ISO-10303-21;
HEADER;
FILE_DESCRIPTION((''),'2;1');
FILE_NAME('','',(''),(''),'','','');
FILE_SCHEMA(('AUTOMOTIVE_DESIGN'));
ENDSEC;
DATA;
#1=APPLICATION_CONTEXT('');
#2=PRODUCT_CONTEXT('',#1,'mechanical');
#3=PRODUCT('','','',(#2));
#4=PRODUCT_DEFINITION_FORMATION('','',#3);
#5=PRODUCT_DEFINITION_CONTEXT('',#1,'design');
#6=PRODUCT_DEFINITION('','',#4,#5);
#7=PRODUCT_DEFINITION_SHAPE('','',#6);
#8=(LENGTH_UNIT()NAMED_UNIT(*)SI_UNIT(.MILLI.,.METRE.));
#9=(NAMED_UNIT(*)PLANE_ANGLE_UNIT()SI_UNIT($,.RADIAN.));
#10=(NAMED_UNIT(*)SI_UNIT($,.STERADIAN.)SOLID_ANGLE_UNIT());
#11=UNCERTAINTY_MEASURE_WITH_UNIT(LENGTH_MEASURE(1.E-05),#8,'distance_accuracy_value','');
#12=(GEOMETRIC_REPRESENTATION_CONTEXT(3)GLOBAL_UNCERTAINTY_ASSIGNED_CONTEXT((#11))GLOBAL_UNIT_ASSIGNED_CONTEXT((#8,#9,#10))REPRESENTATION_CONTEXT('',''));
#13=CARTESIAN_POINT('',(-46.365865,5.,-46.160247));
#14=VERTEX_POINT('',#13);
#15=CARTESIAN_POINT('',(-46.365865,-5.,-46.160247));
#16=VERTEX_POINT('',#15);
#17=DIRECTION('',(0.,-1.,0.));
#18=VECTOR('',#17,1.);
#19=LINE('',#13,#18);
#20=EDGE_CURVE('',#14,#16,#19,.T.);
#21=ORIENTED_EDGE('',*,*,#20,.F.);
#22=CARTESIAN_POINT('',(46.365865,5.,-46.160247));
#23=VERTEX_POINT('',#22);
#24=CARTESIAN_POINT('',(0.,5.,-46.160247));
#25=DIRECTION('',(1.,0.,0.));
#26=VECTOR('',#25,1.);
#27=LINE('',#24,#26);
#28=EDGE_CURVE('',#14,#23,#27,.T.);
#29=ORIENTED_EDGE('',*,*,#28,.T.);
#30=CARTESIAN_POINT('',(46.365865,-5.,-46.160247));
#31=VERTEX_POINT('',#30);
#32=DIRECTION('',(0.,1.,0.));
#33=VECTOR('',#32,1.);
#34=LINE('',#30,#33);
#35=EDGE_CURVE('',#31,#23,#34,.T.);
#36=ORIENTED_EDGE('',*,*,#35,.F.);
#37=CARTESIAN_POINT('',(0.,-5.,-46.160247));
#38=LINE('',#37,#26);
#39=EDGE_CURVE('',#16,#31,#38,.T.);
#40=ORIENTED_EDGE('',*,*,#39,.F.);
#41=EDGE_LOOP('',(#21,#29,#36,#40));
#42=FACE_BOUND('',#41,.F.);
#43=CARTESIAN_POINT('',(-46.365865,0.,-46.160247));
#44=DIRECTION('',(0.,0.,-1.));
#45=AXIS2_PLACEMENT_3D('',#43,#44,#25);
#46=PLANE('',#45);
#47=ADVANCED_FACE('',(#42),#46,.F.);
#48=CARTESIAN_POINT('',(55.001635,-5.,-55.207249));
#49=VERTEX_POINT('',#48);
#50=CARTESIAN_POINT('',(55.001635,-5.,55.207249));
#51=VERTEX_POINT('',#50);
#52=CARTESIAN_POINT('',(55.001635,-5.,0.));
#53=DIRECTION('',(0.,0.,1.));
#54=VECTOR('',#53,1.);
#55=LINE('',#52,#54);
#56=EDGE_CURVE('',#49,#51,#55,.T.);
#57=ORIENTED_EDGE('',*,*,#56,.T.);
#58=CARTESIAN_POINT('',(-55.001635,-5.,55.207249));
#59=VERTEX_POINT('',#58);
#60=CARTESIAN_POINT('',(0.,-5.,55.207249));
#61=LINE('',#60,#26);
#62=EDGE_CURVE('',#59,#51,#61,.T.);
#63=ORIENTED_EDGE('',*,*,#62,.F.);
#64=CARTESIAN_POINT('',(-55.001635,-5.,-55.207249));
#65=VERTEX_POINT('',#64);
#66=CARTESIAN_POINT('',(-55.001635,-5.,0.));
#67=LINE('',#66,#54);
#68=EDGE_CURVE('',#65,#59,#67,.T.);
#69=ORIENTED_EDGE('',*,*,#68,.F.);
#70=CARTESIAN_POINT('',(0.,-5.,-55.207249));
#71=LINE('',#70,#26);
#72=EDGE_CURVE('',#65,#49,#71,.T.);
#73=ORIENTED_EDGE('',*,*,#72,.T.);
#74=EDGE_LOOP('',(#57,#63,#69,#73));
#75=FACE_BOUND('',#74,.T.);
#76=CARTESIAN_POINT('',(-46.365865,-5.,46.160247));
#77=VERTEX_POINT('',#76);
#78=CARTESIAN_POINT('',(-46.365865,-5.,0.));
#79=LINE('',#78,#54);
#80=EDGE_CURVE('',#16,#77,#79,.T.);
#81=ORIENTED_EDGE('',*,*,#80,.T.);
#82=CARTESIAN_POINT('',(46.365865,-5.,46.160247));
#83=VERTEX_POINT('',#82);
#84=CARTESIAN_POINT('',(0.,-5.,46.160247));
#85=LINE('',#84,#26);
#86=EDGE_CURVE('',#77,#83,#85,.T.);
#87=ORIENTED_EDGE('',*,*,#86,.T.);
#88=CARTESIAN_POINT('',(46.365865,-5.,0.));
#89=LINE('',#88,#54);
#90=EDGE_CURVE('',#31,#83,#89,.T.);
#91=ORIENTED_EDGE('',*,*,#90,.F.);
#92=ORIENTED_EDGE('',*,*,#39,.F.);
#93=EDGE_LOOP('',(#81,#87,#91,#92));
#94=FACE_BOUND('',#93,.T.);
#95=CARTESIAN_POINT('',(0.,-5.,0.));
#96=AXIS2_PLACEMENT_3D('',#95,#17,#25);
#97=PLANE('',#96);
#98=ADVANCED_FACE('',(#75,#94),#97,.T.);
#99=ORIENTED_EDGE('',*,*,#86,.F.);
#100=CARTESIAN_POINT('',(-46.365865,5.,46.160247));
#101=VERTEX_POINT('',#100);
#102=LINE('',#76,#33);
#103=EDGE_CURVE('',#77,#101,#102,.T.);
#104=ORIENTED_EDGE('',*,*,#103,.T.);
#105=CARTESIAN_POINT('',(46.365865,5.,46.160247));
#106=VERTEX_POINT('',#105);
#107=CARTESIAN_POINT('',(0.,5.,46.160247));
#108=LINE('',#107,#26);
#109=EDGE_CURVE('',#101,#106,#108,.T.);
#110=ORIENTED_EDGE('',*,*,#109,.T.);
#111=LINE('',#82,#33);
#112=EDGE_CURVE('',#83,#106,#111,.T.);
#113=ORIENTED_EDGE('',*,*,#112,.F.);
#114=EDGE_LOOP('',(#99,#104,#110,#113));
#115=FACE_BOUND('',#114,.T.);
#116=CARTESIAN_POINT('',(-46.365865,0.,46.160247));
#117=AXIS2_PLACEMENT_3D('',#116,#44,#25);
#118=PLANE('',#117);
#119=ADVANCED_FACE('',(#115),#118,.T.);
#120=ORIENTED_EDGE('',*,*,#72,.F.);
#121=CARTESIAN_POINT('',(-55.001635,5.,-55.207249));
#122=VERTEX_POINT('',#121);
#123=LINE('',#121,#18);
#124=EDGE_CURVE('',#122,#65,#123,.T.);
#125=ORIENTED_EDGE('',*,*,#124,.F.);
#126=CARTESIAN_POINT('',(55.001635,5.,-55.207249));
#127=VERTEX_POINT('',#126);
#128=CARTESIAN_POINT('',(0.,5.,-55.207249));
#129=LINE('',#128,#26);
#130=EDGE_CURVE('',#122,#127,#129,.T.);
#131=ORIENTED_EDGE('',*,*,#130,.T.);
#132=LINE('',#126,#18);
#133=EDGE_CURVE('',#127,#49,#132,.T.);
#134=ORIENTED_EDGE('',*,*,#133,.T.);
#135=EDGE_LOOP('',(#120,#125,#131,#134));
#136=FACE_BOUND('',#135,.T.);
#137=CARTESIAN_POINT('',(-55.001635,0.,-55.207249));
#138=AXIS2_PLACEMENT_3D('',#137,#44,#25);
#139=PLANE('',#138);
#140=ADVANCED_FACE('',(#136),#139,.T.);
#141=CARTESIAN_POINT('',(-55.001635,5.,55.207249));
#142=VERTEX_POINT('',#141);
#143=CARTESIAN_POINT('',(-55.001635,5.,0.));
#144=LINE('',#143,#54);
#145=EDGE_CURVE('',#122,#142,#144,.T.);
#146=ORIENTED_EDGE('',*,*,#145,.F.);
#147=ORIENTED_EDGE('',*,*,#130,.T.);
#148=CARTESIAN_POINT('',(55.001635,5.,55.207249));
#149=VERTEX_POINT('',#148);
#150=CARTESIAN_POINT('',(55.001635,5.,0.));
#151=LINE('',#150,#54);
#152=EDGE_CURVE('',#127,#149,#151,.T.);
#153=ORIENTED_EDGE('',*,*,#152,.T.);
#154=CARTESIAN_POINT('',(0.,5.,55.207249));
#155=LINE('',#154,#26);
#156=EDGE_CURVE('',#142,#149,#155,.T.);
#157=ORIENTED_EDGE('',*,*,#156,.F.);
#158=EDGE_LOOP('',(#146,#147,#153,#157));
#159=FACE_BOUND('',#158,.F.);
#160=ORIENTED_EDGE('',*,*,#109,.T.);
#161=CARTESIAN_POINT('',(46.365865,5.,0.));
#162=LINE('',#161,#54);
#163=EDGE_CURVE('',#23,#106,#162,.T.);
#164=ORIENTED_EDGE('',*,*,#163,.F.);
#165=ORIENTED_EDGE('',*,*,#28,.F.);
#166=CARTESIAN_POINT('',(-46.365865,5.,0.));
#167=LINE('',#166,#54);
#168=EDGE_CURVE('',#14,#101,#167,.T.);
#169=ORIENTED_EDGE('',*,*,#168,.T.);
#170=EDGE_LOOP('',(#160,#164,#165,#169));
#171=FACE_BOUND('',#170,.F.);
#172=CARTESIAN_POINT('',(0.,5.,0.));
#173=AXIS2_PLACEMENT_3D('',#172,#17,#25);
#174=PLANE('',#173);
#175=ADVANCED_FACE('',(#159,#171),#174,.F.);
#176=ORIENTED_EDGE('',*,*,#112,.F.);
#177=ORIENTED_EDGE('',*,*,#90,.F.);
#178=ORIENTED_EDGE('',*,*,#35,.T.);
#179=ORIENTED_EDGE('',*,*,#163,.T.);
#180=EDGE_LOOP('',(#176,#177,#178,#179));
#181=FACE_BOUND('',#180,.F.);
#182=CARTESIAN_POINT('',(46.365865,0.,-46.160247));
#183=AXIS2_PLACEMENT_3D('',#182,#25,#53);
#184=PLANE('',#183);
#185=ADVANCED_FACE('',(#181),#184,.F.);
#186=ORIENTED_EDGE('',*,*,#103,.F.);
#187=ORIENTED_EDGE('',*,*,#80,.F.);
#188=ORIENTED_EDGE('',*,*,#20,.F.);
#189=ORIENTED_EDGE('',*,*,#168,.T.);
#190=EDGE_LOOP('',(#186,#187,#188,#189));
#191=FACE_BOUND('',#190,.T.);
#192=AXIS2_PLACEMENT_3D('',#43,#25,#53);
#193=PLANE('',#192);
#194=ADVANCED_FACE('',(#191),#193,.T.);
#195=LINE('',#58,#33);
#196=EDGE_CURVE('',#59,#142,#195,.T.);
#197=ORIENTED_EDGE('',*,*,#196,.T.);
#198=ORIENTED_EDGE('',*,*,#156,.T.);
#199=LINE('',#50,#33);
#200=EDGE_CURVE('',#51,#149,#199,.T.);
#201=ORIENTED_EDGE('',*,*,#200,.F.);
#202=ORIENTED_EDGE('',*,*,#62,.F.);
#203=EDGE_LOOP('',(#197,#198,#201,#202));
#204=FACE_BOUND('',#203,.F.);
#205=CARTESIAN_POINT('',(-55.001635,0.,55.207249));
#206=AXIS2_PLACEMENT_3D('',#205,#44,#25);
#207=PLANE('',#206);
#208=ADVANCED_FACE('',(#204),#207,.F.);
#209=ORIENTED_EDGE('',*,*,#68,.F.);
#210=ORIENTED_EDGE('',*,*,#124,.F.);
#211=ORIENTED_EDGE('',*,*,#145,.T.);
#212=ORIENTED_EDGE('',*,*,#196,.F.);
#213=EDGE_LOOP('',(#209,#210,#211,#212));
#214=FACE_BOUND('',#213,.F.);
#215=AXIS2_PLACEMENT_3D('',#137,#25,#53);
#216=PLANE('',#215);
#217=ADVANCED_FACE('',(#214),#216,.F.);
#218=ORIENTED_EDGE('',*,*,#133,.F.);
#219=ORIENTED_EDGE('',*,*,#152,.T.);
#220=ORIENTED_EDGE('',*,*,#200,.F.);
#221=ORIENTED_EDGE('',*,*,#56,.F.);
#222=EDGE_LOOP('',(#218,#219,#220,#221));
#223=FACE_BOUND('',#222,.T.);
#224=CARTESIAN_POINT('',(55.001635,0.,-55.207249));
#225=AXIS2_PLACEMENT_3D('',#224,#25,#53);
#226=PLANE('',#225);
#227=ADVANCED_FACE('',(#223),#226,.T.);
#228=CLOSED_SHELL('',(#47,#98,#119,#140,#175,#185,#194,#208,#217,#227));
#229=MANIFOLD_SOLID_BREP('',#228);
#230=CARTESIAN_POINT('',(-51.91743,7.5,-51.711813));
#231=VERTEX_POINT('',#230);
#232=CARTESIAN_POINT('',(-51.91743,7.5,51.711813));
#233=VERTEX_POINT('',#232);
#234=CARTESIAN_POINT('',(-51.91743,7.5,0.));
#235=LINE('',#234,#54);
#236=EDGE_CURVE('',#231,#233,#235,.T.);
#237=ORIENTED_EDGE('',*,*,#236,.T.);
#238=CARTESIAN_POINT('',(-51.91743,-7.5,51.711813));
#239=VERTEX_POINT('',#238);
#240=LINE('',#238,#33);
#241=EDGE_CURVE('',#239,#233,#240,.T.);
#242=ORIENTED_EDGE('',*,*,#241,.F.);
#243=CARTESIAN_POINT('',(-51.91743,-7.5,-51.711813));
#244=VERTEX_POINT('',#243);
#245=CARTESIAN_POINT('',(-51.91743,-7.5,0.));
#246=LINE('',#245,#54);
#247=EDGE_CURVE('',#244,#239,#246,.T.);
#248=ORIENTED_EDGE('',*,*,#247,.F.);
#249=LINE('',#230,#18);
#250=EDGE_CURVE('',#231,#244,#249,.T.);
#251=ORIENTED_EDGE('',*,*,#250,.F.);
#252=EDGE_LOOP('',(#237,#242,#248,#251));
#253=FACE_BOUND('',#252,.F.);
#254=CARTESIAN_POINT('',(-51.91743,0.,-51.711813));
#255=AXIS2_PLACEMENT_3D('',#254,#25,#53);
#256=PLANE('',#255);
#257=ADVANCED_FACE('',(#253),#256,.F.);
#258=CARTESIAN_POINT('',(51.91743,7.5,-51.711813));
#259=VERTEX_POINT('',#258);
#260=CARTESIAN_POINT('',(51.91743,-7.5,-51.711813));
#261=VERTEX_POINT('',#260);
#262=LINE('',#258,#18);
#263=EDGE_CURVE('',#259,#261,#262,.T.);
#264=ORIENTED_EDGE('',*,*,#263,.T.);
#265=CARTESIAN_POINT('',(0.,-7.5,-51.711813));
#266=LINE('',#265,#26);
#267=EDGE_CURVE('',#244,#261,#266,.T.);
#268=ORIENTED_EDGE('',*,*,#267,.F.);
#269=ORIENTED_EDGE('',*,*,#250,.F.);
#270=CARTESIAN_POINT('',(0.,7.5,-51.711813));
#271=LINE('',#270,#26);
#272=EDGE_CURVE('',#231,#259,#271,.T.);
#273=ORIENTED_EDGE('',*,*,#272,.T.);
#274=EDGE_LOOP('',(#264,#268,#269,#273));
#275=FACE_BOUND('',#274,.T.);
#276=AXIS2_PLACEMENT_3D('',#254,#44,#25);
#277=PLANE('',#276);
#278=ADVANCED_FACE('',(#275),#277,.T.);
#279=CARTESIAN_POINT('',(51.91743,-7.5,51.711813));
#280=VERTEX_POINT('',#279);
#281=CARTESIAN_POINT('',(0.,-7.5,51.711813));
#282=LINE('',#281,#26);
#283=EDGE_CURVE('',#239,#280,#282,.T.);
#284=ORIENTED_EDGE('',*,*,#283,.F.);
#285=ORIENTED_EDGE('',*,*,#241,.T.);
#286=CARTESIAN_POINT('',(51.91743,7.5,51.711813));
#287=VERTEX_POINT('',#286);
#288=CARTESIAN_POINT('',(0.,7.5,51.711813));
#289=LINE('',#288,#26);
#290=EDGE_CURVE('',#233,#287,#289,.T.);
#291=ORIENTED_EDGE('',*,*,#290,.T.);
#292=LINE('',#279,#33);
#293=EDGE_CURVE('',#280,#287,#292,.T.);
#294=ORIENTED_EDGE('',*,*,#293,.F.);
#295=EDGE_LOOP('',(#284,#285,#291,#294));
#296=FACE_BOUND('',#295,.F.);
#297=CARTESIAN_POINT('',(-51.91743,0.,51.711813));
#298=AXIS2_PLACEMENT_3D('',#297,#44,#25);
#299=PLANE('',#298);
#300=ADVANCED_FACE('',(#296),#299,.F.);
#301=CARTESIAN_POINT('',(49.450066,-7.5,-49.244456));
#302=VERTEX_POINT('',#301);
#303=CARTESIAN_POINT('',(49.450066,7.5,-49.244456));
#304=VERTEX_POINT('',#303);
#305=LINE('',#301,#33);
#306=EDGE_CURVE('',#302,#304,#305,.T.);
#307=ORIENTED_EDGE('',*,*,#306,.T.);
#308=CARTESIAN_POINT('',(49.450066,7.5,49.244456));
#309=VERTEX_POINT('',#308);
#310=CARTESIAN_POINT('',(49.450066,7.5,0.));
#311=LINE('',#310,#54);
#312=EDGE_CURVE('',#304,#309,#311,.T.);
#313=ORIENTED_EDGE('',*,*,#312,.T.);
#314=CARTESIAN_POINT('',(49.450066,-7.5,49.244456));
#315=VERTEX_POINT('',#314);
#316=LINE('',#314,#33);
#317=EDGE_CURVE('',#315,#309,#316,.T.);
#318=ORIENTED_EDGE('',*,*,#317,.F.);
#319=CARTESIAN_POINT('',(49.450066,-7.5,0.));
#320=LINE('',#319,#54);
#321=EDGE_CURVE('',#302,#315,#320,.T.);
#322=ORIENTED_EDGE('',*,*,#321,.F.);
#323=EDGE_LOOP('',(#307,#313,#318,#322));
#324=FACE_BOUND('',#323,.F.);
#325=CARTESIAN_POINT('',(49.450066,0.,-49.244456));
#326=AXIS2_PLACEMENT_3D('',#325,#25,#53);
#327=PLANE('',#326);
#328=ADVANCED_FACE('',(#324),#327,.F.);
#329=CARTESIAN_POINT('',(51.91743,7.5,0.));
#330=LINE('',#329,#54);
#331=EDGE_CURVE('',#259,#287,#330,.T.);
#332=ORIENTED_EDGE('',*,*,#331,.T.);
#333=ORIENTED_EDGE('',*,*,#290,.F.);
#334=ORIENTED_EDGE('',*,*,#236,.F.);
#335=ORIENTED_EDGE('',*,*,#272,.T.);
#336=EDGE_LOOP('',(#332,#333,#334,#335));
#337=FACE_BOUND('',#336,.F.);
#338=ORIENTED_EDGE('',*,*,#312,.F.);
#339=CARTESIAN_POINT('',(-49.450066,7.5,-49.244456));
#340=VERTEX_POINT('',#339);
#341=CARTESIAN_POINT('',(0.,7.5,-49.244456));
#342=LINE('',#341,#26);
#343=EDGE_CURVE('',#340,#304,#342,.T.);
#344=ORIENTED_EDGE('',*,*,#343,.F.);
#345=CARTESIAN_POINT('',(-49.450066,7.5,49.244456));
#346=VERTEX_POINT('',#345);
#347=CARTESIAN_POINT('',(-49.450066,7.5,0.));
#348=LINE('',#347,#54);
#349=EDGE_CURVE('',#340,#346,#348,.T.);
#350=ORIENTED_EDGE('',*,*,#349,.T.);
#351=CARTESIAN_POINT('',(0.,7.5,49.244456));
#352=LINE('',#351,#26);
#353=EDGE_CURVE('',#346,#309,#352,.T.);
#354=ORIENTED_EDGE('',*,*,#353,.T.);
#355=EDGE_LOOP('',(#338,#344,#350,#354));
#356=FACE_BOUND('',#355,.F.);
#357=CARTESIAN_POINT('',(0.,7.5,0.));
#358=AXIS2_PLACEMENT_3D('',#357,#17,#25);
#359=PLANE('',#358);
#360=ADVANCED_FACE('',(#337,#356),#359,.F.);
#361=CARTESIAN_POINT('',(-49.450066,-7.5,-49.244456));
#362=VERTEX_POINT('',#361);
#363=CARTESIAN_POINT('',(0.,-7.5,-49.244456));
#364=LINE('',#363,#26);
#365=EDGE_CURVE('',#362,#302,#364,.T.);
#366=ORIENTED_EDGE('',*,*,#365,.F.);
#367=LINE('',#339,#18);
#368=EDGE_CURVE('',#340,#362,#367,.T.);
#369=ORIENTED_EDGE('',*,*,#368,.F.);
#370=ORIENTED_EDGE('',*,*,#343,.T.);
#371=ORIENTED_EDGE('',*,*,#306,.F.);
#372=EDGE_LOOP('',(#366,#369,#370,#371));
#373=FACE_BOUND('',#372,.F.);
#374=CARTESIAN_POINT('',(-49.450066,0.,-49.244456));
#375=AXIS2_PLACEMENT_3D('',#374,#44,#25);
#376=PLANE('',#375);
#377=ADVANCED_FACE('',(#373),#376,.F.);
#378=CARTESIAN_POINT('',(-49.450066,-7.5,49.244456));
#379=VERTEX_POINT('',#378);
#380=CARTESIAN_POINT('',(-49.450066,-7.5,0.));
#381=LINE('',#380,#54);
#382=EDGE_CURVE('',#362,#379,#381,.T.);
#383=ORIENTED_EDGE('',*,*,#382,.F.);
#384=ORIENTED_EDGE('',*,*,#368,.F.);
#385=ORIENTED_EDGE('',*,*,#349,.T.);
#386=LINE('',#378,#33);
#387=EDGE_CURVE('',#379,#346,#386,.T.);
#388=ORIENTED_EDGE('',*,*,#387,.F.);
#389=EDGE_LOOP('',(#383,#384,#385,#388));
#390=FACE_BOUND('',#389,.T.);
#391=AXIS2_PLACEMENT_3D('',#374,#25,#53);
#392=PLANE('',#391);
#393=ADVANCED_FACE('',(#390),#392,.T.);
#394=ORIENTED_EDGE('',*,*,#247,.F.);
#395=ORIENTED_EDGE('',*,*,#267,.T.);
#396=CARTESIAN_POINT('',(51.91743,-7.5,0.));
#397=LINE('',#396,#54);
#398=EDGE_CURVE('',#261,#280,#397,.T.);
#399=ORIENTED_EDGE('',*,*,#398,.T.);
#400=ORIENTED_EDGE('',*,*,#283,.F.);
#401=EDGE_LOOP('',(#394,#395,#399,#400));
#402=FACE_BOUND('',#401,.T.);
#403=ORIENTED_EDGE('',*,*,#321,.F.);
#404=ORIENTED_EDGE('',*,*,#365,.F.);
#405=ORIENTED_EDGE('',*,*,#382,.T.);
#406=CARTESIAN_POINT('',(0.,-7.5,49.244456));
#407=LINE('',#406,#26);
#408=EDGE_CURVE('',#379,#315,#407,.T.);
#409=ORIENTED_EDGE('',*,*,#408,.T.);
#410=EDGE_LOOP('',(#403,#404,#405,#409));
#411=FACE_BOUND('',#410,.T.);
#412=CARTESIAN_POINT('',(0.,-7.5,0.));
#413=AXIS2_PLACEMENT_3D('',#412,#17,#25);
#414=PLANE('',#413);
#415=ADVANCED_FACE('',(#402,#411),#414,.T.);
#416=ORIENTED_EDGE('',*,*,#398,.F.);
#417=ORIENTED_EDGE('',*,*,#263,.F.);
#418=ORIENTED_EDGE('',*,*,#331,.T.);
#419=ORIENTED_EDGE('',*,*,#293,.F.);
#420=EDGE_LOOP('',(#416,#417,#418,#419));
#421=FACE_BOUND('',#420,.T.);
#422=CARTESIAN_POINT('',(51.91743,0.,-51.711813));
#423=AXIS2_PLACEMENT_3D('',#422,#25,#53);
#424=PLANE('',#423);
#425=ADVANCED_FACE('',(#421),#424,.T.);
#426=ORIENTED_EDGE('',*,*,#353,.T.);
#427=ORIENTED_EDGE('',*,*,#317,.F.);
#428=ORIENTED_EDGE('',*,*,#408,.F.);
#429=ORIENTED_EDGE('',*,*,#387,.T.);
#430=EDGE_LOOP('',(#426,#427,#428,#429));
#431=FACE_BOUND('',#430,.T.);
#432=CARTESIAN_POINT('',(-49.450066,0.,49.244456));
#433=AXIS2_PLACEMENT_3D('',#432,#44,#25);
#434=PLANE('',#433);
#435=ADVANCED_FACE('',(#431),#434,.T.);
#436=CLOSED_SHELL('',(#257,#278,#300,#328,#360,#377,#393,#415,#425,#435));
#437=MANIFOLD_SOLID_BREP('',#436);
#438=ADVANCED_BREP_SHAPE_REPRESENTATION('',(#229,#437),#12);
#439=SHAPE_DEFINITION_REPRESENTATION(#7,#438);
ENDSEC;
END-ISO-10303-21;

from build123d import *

# Parameters (mm, degrees)
F0_W     = 103.83486
F0_H     = 103.423626
F0_W_2   = 98.900132
F0_H_2   = 98.488912
F1_DEPTH = 7.5
F0_W_3   = 110.00327
F0_H_3   = 110.414498
F0_W_4   = 92.73173
F0_H_4   = 92.320494
F2_DEPTH = 5


with BuildPart() as f1:
    # F0 (on Front) → F1 (new body, symmetric)
    with BuildSketch(Plane.XZ):
        Rectangle(F0_W, F0_H)
        Rectangle(F0_W_2, F0_H_2, mode=Mode.SUBTRACT)
    extrude(amount=F1_DEPTH, both=True)


with BuildPart() as f2:
    # F0 (on Front) → F2 (new body, symmetric)
    with BuildSketch(Plane.XZ):
        Rectangle(F0_W_3, F0_H_3)
        Rectangle(F0_W, F0_H, mode=Mode.SUBTRACT)
        Rectangle(F0_W, F0_H)
        Rectangle(F0_W_2, F0_H_2, mode=Mode.SUBTRACT)
        Rectangle(F0_W_2, F0_H_2)
        Rectangle(F0_W_4, F0_H_4, mode=Mode.SUBTRACT)
    extrude(amount=F2_DEPTH, both=True)


solid = Compound([f1.part, f2.part])
